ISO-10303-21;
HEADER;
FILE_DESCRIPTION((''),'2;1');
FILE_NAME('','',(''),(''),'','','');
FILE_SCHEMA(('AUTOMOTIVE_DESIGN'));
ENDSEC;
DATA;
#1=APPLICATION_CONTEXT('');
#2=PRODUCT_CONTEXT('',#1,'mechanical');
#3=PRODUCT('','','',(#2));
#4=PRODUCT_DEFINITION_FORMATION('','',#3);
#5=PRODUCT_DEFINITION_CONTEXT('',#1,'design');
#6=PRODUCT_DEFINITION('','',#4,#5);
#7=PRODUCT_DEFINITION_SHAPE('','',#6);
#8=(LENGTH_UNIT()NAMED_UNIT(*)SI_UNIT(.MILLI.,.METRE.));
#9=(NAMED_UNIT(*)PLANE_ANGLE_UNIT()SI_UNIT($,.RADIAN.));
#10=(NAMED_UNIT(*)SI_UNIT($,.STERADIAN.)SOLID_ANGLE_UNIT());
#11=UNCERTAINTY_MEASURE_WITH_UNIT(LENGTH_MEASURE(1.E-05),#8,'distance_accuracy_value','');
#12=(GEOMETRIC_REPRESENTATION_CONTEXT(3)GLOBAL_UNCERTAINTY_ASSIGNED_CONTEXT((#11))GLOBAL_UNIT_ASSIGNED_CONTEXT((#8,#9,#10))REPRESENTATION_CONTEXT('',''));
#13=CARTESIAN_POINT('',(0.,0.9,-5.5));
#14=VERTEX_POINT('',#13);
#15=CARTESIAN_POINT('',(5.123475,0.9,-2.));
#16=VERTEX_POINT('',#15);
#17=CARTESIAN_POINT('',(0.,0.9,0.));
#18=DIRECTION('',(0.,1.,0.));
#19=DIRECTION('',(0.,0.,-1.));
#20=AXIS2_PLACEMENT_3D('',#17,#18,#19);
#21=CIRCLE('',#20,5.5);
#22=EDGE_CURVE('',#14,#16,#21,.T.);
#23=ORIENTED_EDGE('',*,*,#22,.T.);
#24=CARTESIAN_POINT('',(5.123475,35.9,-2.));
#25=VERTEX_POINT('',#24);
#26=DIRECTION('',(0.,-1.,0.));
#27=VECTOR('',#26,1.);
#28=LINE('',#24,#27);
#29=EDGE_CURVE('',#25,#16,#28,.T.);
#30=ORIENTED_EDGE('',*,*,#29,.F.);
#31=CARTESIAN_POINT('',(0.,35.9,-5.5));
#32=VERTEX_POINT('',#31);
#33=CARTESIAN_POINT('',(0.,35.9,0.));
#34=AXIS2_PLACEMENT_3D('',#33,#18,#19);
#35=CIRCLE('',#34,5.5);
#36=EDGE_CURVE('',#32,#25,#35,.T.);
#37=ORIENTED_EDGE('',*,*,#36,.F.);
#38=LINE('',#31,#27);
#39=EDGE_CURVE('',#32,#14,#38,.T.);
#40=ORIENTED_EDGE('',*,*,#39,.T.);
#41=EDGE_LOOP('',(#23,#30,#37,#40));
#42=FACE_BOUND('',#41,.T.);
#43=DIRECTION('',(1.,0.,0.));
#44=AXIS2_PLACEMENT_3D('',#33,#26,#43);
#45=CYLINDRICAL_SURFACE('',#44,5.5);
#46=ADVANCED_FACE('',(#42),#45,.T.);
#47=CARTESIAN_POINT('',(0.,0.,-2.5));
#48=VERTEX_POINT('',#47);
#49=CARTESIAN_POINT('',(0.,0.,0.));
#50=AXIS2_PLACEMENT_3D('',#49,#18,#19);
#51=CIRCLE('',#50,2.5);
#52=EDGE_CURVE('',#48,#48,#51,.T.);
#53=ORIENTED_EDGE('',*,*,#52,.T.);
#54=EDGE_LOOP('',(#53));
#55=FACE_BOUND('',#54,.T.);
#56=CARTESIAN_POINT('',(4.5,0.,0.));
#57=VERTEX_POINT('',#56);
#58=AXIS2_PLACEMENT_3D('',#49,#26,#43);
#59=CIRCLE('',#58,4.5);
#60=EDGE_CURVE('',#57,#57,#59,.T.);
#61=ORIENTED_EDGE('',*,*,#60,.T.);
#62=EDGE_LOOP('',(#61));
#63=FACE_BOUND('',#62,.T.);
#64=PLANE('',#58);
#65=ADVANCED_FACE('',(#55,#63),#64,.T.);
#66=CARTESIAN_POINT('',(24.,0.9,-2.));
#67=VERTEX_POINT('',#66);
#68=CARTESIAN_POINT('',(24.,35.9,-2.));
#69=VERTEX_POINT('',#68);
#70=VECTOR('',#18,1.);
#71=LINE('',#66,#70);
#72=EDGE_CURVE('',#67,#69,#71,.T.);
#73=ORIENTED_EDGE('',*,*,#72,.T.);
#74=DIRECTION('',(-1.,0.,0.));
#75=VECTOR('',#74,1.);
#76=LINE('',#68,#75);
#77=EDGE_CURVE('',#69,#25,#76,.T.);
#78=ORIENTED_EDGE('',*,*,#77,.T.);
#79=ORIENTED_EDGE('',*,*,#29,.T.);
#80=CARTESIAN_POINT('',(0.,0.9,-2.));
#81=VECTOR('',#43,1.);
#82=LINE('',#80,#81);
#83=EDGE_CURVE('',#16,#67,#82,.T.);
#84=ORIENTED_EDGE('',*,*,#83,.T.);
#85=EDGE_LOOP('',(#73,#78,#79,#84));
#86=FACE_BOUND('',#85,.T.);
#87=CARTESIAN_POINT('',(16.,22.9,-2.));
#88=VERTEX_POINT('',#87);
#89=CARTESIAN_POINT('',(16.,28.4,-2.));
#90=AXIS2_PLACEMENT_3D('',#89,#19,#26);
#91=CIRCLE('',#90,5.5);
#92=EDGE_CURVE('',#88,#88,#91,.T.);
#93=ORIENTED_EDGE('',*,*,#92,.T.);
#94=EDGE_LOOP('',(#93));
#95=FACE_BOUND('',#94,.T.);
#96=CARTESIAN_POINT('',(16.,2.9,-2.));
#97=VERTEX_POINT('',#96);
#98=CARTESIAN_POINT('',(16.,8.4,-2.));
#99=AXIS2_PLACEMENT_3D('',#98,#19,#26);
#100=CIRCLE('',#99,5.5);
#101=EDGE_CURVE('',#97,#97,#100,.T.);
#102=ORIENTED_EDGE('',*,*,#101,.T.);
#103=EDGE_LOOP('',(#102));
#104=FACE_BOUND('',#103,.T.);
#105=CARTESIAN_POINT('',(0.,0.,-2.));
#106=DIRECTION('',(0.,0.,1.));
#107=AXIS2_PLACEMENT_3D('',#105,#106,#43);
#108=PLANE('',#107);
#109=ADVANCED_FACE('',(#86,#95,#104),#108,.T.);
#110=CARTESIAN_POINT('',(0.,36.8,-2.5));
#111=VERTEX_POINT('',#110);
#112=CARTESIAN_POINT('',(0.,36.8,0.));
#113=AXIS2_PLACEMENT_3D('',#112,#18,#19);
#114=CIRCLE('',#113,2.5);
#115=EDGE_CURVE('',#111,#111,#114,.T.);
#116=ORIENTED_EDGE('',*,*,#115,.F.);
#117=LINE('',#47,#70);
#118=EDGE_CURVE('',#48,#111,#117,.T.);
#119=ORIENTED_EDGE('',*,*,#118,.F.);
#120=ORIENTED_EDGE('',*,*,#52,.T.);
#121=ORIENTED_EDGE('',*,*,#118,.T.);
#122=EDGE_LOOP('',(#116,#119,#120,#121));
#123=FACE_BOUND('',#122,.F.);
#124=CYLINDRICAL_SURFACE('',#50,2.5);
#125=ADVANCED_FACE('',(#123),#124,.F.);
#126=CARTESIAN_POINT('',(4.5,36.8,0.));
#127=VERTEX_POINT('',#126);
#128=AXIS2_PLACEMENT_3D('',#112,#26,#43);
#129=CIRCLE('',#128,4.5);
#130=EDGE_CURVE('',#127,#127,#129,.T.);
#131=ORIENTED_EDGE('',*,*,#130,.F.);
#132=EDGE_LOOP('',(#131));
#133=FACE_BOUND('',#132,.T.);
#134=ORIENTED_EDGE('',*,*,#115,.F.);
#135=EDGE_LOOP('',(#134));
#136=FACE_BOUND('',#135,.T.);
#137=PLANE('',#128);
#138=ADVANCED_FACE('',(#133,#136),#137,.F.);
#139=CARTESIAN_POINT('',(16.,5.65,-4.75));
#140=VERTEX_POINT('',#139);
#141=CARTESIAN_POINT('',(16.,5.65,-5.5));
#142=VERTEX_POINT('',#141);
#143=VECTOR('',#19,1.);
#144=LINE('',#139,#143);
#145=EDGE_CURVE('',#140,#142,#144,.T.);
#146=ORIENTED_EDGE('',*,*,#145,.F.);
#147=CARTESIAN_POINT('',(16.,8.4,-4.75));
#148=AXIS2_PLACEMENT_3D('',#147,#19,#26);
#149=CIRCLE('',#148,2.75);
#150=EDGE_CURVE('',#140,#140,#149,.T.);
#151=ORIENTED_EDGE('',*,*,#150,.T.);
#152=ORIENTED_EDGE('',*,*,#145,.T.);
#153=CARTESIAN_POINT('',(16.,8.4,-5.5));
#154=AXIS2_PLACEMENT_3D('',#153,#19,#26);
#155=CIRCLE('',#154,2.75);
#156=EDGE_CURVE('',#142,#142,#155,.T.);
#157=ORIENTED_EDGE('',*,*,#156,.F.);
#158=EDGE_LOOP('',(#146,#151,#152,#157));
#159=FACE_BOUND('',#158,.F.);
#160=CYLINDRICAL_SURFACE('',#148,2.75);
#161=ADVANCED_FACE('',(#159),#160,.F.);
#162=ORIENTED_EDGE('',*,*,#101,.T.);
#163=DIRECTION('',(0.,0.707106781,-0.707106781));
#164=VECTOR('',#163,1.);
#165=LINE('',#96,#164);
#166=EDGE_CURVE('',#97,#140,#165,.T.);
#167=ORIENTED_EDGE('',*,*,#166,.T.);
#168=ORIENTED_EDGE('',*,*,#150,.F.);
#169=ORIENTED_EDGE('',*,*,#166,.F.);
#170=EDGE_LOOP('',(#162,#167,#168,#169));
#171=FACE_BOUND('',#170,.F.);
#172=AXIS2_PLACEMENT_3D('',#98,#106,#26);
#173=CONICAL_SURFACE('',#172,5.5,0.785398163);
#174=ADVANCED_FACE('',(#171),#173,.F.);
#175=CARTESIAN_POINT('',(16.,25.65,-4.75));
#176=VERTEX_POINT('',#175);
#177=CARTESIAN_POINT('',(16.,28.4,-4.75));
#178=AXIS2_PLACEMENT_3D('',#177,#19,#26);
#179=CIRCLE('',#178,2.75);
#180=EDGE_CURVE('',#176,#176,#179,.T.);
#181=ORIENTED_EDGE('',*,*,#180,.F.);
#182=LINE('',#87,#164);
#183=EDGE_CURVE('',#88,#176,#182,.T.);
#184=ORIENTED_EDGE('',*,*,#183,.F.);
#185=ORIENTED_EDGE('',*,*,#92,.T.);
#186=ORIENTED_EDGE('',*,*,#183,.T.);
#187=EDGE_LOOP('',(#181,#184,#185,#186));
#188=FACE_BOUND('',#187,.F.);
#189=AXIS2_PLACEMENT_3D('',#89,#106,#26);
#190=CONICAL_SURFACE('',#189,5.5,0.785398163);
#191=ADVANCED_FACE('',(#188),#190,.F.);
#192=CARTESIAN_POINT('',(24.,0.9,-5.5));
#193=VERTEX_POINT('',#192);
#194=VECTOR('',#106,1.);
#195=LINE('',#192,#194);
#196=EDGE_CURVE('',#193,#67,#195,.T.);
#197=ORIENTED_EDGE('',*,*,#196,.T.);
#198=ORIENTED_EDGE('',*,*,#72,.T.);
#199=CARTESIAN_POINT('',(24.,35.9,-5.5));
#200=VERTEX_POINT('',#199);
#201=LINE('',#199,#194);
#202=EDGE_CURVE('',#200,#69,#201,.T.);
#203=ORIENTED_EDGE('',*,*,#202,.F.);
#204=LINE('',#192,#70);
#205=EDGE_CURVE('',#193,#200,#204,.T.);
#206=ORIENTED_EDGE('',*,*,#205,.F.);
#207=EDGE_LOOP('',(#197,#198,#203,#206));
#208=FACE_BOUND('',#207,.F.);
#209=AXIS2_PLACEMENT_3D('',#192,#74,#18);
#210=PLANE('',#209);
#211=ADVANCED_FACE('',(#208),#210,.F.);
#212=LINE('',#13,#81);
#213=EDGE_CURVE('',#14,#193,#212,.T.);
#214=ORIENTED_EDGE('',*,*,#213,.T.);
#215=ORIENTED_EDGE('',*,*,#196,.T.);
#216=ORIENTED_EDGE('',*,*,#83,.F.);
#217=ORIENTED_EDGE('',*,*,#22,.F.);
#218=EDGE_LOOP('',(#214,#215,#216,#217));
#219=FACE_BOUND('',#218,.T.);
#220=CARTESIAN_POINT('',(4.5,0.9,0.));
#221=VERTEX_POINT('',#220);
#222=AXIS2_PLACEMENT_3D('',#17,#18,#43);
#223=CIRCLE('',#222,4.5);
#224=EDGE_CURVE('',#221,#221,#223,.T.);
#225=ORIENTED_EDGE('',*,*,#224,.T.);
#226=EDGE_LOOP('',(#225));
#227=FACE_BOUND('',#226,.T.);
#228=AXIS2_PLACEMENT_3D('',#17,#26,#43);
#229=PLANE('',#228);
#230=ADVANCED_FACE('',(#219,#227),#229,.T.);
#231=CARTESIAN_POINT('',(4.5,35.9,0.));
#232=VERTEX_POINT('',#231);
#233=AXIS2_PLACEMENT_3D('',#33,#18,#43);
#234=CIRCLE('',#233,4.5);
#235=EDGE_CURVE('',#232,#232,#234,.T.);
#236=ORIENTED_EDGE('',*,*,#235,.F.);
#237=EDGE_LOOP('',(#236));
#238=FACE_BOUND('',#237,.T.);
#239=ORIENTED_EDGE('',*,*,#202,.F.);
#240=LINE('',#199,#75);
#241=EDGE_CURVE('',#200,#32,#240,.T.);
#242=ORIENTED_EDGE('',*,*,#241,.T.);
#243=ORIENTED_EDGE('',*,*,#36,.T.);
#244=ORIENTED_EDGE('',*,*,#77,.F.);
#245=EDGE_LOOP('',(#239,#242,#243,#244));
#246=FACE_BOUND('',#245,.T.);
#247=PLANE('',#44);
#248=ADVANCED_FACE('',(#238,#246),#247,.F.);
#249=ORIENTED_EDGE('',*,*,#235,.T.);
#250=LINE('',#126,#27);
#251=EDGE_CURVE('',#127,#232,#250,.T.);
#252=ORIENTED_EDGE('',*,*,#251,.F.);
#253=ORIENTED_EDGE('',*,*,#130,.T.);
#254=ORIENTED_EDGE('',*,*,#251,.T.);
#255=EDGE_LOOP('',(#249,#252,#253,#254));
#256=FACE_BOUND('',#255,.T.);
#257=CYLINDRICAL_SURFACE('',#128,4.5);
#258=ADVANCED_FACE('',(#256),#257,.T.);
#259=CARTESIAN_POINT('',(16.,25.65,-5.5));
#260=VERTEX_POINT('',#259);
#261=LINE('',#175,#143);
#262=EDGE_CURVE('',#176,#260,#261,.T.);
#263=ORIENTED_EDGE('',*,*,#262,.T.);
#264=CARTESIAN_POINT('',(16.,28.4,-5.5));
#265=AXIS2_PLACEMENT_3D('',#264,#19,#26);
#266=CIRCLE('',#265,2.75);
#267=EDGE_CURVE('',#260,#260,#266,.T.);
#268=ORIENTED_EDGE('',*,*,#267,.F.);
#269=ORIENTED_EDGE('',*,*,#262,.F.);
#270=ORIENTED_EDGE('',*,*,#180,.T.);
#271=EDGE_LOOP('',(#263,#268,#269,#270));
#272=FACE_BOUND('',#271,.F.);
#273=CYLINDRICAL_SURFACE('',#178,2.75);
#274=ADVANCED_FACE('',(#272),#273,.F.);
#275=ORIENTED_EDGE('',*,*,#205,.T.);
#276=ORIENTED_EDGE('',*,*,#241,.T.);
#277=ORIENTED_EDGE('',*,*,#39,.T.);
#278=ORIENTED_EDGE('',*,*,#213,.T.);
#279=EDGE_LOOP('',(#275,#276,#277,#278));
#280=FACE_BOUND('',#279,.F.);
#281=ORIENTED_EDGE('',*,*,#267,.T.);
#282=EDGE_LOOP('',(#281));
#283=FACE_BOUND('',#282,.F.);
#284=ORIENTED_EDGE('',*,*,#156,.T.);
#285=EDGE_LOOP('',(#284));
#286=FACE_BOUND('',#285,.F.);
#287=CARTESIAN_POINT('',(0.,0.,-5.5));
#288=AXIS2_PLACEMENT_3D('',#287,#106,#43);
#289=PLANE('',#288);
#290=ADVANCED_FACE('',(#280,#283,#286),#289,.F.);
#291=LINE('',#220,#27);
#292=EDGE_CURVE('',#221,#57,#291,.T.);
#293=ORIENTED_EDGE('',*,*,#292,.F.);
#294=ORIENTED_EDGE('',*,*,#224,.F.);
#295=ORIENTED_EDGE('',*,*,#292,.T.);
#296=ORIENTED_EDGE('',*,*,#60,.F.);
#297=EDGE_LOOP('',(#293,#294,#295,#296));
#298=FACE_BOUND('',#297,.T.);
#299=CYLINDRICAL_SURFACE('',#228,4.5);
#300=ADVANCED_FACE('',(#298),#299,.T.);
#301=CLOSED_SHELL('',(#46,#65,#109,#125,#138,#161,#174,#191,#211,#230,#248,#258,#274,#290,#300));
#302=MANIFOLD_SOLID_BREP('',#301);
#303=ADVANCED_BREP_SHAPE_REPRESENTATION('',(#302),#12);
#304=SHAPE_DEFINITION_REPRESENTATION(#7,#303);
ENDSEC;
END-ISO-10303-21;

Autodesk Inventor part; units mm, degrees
sketch "Sketch_1" plane through (0, 0, 0) normal (0, 0, 1) x (1, 0, 0)
  line L0 (0, 0) -> (0, 36.8)
  line L1 (0, 36.8) -> (4.5, 36.8)
  line L2 (4.5, 36.8) -> (4.5, 35.9)
  line L3 (4.5, 35.9) -> (5.5, 35.9)
  line L4 (5.5, 35.9) -> (5.5, 0.9)
  line L5 (5.5, 0.9) -> (4.5, 0.9)
  line L6 (4.5, 0.9) -> (4.5, 0)
  line L7 (4.5, 0) -> (0, 0)
  line L8 (0, 0) -> (0, 36.8)
revolve "Revolution1" add sketch "Sketch_1" angle 360 about axis through (0, 0, 0) along (0, -1, 0)
sketch "Sketch_3" plane through (0, 0, -5.5) normal (0, 0, 1) x (1, 0, 0)
  line L0 (0, 35.9) -> (0, 0.9)
  line L1 (0, 0.9) -> (24, 0.9)
  line L2 (24, 0.9) -> (24, 35.9)
  line L3 (24, 35.9) -> (0, 35.9)
extrude "Extrusion1" add sketch "Sketch_3" along normal blind 3.5
sketch "Sketch3" plane through (0, 0, -2) normal (0, 0, 1) x (1, 0, 0)
  point P0 (16, 8.4)
hole "Hole1" at (16, 8.4, -2) direction (0, 0, -1) diameter 5.5 depth 3.5 countersink diameter 11 countersink angle 90
sketch "Sketch4" plane through (0, 0, -2) normal (0, 0, 1) x (1, 0, 0)
  point P0 (16, 28.4)
hole "Hole2" at (16, 28.4, -2) direction (0, 0, -1) diameter 5.5 depth 3.5 countersink diameter 11 countersink angle 90
sketch "Sketch5" plane through (0, 0, 0) normal (0, -1, 0) x (1, 0, 0)
  point P0 (0, 0)
hole "Hole3" at (0, 0, 0) direction (0, 1, 0) diameter 5 depth 36.8
ref_plane "2_XY" through (0, 0, 0) normal (0, 1, 0) x (1, 0, 0)
ref_plane "2_YZ" through (0, 0, 0) normal (1, 0, 0) x (0, 0, -1)
ref_plane "2_ZX" through (0, 0, 0) normal (0, 0, -1) x (0, 1, 0)
ref_plane "to_bolt3_XY" through (-16, 28.4, -2) normal (0, 0, 1) x (1, 0, 0)
ref_plane "to_bolt3_YZ" through (-16, 28.4, -2) normal (1, 0, 0) x (0, 1, 0)
ref_plane "to_bolt3_ZX" through (-16, 28.4, -2) normal (0, 1, 0) x (0, 0, 1)
ref_plane "to_bolt3_r_XY" through (16, 28.4, -2) normal (0, 0, 1) x (1, 0, 0)
ref_plane "to_bolt3_r_YZ" through (16, 28.4, -2) normal (1, 0, 0) x (0, 1, 0)
ref_plane "to_bolt3_r_ZX" through (16, 28.4, -2) normal (0, 1, 0) x (0, 0, 1)
ref_plane "to_bolt4_XY" through (-16, 8.4, -2) normal (0, 0, 1) x (1, 0, 0)
ref_plane "to_bolt4_YZ" through (-16, 8.4, -2) normal (1, 0, 0) x (0, 1, 0)
ref_plane "to_bolt4_ZX" through (-16, 8.4, -2) normal (0, 1, 0) x (0, 0, 1)
ref_plane "to_bolt4_r_XY" through (16, 8.4, -2) normal (0, 0, 1) x (1, 0, 0)
ref_plane "to_bolt4_r_YZ" through (16, 8.4, -2) normal (1, 0, 0) x (0, 1, 0)
ref_plane "to_bolt4_r_ZX" through (16, 8.4, -2) normal (0, 1, 0) x (0, 0, 1)
properties part number "HHPFRN5-2"
